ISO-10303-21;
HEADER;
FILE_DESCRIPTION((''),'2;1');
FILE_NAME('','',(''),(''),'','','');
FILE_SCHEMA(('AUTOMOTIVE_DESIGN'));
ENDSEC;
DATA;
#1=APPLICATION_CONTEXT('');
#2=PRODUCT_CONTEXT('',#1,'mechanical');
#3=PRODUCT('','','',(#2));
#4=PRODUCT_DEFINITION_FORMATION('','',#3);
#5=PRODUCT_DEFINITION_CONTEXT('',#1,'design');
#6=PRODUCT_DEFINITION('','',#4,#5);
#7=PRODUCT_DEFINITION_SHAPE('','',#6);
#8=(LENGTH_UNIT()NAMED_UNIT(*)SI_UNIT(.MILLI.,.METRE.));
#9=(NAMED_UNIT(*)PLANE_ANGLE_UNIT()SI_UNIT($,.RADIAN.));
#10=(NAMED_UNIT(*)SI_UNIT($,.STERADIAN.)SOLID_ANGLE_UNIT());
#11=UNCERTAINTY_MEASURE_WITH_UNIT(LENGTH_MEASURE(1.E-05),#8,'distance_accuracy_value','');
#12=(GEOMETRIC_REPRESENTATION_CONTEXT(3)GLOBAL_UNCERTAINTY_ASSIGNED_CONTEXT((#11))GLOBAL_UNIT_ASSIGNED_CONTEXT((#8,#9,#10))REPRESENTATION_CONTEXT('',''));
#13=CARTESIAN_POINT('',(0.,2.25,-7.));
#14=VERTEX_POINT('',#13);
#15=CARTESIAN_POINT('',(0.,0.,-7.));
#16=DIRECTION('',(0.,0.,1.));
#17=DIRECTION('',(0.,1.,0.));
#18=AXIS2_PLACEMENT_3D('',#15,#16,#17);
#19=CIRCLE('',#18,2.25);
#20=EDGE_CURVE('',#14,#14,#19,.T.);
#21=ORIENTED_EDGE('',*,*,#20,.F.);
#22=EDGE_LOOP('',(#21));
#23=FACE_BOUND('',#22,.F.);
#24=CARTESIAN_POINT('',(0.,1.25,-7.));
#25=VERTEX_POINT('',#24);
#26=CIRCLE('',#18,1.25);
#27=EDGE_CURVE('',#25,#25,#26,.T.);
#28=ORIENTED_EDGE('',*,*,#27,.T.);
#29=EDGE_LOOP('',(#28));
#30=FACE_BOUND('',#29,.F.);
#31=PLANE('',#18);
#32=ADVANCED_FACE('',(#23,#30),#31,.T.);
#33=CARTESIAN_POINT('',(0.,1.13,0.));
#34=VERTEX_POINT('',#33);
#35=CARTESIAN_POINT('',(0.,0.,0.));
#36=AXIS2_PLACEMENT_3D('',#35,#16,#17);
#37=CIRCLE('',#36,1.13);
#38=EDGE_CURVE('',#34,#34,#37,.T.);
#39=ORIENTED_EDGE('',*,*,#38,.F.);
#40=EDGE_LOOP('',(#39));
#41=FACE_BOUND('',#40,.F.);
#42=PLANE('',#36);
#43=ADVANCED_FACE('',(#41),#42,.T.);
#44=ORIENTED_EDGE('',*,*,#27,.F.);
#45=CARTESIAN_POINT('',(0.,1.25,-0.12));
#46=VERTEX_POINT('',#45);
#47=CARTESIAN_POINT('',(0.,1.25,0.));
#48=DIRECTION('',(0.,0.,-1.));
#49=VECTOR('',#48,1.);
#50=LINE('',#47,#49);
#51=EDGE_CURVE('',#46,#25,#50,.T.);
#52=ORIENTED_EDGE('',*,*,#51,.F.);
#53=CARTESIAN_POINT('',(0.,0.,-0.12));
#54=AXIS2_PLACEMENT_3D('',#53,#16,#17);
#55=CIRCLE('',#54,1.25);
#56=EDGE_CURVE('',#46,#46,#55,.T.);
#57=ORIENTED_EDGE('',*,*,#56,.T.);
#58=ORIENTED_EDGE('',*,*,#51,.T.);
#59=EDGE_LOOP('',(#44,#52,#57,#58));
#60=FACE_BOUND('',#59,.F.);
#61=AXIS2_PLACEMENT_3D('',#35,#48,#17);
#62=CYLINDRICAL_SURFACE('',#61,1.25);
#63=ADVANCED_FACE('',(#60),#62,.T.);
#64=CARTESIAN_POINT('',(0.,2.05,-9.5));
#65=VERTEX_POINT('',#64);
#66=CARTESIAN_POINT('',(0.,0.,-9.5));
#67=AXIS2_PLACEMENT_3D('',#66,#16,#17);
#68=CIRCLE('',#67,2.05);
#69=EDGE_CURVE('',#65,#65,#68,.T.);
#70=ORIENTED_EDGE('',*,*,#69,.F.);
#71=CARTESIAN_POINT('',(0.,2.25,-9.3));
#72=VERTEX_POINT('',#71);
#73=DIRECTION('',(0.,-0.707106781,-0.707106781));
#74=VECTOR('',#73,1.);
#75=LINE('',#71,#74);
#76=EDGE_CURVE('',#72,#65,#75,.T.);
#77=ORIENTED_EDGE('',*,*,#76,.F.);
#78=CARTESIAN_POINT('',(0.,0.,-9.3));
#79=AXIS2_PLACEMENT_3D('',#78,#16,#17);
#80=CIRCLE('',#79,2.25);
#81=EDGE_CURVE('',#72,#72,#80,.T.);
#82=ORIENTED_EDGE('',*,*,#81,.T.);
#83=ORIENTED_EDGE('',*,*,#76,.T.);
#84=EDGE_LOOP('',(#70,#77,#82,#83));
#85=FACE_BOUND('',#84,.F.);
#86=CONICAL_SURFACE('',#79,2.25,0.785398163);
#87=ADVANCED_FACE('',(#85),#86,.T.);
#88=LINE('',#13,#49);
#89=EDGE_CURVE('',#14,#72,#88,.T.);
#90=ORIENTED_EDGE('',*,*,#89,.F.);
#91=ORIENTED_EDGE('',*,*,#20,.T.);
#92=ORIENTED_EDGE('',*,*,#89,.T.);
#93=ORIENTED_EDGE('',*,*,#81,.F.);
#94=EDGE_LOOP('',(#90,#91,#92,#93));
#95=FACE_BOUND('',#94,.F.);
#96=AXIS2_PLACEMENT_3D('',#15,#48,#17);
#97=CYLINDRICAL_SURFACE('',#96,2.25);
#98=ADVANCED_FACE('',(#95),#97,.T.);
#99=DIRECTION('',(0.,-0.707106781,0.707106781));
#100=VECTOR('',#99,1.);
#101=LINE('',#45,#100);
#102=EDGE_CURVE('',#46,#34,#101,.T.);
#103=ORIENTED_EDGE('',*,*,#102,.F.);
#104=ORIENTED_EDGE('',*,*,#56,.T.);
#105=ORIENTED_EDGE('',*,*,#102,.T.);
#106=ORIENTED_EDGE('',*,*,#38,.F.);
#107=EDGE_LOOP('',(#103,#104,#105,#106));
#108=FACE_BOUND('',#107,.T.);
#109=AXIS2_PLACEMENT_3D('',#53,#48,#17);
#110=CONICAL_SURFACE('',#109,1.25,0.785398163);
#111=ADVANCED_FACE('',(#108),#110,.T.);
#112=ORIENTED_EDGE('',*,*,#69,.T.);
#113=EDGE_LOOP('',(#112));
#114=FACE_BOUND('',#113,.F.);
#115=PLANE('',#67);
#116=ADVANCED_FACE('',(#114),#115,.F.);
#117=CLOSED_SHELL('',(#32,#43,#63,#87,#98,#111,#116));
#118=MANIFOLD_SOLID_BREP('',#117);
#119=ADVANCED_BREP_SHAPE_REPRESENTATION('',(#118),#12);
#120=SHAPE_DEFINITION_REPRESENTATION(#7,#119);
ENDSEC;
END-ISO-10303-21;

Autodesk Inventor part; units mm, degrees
ref_plane "YZ Plane" through (0, 0, 0) normal (1, 0, 0) x (0, 1, 0)
ref_plane "XZ Plane" through (0, 0, 0) normal (0, 1, 0) x (-1, 0, 0)
ref_plane "XY Plane" through (0, 0, 0) normal (0, 0, 1) x (1, 0, 0)
sketch "スケッチ1" plane through (0, 0, 0) normal (1, 0, 0) x (0, 1, 0)
  line L0 (0, 0) -> (1.25, 0)
  line L1 (1.25, 0) -> (1.25, -7)
  line L2 (1.25, -7) -> (0, -7)
  line L3 (0, -7) -> (0, 0)
  line L4 (0, -7) -> (2.25, -7)
  line L5 (2.25, -7) -> (2.25, -9.5)
  line L6 (2.25, -9.5) -> (0, -9.5)
  line L7 (0, -9.5) -> (0, -7)
  line L8 (2.25, -9.3) -> (2.05, -9.5)
  line L9 (1.25, -0.12) -> (1.13, 0)
  point P0 (2.25, -8.25)
  point P1 (1.25, -7)
  dimension "d0" = 45
  dimension "d1" = 2.25
  dimension "d2" = 2.5
  dimension "d3" = 7
  dimension "d7" = 1.25
  dimension "d10" = 45
  dimension "d11" = 0.2
  dimension "d12" = 0.12
revolve "回転1" add sketch "スケッチ1" angle 360 about axis through (0, 0, -7) along (0, 0, 1) contours L0 L9 L1 L2 L3 | L2 L4 L5 L8 L6 L7
thread "ねじ2" size "M2.5x0.45" class "6g" standard "ANSI Metric M Profile" length 30
properties part number "M2-5_7mm" material "ステンレス鋼"
